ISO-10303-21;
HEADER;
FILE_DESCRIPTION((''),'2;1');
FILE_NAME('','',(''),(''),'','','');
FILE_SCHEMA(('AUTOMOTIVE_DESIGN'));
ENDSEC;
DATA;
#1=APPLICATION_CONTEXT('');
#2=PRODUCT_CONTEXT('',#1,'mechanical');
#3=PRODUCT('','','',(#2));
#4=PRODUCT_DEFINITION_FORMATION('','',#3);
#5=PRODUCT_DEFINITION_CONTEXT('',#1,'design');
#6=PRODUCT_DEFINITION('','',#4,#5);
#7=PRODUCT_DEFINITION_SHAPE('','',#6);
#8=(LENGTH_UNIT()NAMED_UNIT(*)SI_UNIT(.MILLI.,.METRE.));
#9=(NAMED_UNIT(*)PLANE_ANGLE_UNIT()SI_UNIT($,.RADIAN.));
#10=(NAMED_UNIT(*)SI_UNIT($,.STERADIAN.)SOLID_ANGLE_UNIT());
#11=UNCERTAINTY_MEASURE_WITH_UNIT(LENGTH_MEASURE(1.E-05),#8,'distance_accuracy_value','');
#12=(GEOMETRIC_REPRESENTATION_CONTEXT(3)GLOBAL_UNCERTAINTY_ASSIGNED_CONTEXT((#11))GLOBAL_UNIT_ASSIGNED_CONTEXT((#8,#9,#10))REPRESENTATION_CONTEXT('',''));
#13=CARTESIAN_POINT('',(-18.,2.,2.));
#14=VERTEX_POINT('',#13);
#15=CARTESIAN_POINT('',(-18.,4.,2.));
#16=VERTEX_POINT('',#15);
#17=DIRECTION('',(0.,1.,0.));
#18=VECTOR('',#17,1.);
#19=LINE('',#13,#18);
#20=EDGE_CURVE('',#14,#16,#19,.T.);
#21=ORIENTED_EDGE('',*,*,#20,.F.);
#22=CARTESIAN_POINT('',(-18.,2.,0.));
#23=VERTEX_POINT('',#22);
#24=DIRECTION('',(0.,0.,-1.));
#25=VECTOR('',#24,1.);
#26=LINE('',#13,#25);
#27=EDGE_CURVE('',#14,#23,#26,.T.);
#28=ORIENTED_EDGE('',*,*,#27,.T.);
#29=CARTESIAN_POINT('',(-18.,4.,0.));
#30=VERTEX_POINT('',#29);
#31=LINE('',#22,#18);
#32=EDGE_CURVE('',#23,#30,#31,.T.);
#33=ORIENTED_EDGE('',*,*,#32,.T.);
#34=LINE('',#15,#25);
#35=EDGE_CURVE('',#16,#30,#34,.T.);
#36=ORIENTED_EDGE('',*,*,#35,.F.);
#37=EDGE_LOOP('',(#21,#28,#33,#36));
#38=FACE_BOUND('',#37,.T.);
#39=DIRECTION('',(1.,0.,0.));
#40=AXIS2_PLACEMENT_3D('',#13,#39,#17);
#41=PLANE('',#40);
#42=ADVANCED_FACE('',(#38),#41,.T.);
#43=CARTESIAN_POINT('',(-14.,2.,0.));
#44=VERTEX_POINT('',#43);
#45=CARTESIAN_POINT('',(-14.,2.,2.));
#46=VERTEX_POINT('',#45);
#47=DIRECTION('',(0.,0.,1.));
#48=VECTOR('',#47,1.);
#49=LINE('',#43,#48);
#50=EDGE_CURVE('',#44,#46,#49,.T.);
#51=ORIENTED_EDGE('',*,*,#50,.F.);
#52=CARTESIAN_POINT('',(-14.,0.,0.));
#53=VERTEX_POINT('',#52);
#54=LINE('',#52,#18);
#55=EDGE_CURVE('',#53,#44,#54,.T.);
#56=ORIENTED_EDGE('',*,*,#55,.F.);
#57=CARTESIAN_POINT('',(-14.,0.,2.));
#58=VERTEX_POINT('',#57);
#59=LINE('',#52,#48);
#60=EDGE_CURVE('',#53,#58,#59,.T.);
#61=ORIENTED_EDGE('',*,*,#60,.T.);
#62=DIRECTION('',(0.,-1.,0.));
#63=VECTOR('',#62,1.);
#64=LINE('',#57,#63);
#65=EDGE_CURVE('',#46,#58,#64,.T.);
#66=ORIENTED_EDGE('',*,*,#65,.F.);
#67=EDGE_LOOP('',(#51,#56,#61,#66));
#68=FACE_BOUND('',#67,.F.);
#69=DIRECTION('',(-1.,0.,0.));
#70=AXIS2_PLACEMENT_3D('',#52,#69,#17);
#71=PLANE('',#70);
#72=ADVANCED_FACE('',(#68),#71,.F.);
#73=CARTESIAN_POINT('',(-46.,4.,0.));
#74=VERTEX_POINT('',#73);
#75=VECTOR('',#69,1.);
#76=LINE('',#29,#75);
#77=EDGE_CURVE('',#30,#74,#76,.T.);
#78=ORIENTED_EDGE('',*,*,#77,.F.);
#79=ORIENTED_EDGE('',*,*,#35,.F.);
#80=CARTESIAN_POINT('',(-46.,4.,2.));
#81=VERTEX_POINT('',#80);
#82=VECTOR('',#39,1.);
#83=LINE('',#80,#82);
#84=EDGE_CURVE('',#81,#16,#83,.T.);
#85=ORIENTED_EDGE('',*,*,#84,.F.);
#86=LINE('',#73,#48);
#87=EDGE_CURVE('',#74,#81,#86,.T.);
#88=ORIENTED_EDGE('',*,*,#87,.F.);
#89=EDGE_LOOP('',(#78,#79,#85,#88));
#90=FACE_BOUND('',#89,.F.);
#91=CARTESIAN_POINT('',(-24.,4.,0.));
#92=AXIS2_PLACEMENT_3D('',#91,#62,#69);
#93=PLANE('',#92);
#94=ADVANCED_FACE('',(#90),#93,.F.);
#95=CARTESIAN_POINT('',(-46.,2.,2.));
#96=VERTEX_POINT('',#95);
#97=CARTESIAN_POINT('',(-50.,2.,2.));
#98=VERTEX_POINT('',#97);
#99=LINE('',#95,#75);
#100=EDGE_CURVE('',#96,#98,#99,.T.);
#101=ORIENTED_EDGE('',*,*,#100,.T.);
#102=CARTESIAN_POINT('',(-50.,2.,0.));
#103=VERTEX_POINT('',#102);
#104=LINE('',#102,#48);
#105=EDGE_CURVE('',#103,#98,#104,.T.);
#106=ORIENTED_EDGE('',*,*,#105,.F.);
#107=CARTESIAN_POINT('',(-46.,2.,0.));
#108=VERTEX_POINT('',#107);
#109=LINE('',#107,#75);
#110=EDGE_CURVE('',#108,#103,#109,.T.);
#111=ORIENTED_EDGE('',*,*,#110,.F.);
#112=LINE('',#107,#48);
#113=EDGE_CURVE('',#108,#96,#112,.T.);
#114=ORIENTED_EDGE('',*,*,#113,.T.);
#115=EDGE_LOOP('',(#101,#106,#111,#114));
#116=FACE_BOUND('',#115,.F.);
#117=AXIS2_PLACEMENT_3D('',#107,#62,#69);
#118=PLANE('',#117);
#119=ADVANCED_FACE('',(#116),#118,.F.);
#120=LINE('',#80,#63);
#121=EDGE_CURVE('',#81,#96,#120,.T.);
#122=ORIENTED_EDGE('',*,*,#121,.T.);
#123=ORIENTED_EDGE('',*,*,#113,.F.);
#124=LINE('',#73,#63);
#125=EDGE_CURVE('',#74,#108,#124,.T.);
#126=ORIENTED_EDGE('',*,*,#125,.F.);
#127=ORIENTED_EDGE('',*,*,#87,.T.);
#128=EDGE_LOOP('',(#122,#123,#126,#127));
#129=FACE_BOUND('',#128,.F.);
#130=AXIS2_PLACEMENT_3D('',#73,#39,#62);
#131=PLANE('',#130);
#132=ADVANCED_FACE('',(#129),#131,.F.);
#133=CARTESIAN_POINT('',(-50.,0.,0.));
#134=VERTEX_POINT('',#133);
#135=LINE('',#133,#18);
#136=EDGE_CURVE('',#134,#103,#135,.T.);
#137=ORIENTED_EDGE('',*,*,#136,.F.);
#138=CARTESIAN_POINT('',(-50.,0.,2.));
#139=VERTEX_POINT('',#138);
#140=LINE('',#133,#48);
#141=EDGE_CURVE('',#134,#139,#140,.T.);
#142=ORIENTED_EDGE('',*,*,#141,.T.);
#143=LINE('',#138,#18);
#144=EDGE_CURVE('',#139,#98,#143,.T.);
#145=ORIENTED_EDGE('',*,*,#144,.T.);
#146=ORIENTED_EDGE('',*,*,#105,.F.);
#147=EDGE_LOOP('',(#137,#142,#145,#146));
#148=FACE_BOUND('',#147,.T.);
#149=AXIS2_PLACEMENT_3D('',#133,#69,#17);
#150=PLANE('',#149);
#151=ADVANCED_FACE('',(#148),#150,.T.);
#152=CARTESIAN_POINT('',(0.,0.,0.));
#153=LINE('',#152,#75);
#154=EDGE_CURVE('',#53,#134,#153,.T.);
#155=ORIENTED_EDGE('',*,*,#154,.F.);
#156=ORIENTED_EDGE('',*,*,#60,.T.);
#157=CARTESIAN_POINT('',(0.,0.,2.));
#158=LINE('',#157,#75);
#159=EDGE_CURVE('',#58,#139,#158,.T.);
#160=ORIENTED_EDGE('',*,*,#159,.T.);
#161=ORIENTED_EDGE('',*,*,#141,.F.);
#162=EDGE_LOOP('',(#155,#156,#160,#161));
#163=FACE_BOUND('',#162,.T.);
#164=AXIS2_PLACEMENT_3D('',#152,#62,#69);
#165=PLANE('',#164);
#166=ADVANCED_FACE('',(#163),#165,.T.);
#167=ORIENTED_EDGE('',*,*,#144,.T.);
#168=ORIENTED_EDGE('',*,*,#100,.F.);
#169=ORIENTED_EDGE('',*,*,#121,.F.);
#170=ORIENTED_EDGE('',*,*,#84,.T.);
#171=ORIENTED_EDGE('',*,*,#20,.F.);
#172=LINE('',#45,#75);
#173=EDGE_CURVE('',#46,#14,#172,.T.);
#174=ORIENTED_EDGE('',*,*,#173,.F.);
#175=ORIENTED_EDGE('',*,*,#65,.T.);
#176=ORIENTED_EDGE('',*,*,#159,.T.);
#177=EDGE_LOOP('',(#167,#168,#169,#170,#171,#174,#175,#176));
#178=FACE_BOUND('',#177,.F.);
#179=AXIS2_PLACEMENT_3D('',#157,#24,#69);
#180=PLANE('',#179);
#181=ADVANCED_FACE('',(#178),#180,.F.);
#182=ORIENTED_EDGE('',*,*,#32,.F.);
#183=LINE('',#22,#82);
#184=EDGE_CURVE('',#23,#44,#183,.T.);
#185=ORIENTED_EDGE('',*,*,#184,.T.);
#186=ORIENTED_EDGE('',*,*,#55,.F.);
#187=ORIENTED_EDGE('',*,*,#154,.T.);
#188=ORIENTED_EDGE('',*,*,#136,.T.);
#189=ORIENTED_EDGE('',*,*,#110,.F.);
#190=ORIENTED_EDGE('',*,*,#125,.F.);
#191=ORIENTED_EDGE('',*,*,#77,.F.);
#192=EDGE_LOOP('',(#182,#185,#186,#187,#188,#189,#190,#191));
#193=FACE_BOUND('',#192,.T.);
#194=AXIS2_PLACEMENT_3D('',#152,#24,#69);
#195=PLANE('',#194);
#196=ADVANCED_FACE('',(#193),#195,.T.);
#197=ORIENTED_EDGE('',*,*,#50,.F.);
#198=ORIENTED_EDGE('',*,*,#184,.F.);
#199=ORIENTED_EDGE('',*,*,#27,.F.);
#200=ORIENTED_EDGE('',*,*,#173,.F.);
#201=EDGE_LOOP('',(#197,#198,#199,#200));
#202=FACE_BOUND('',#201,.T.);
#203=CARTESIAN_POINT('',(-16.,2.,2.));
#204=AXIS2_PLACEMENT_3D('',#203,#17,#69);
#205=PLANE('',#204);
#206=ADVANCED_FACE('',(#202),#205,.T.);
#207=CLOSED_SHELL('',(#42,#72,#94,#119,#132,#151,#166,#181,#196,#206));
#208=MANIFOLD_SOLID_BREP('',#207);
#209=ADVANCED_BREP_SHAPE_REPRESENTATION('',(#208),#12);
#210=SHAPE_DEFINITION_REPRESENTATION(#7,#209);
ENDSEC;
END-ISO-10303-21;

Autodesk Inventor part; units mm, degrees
ref_plane "YZ Plane" through (0, 0, 0) normal (1, 0, 0) x (0, 1, 0)
ref_plane "XZ Plane" through (0, 0, 0) normal (0, 1, 0) x (-1, 0, 0)
ref_plane "XY Plane" through (0, 0, 0) normal (0, 0, 1) x (1, 0, 0)
sketch "Sketch1" plane through (0, 0, 0) normal (0, 0, 1) x (1, 0, 0)
  line L0 (0, 0) -> (-50, 0)
  line L1 (-50, 0) -> (-50, 2)
  line L2 (-46, 4) -> (-46, 2)
  line L3 (-46, 2) -> (-50, 2)
  line L4 (0, 2) -> (-4, 2)
  line L5 (-4, 2) -> (-4, 4)
  line L6 (-46, 4) -> (-26, 4)
  line L7 (0, 2) -> (0, 0)
  line L8 (-26, 4) -> (-26, 2)
  line L9 (-26, 2) -> (-24, 2)
  line L10 (-24, 2) -> (-24, 4)
  line L11 (-24, 4) -> (-4, 4)
  dimension "d2" = 4
  dimension "d3" = 2
  dimension "d5" = 24
  dimension "d6" = 2
  dimension "d7" = 2
extrude "Extrusion1" add sketch "Sketch1" along normal blind 2
sketch "Sketch2" plane through (0, 0, 2) normal (0, 0, 1) x (1, 0, 0)
  line L0 (-4, 4) -> (-24, 4) projected
  line L1 (-18, 4) -> (-16, 4)
  line L2 (-16, 4) -> (-16, 2)
  line L3 (-16, 2) -> (-18, 2)
  line L4 (-18, 2) -> (-18, 4)
  point P0 (0, 0)
  dimension "d10" = 2
  dimension "d11" = 2
  dimension "d12" = 16
extrude "Extrusion2" cut sketch "Sketch2" against normal blind 2
sketch "Sketch3" plane through (0, 0, 0) normal (0, 0, -1) x (-1, 0, 0)
  line L0 (0, 0) -> (0, 2) projected
  line L1 (4, 4) -> (16, 4) projected
  line L2 (0, 0) -> (14, 0)
  line L3 (14, 0) -> (14, 4)
  line L4 (14, 4) -> (0, 4)
  line L5 (0, 4) -> (0, 0)
  line L6 (18, 2) -> (16, 2) projected
  line L7 (16, 2) -> (14, 2)
  line L8 (14, 2) -> (14, 4)
  line L9 (14, 4) -> (16, 4)
  line L10 (16, 4) -> (16, 2)
  line L11 (18, 4) -> (24, 4) projected
  line L12 (24, 2) -> (26, 2) projected
  line L13 (24, 4) -> (26, 4)
  line L14 (26, 4) -> (26, 2)
  line L15 (26, 2) -> (24, 2)
  line L16 (24, 2) -> (24, 4)
  dimension "d15" = 14
extrude "Extrusion3" cut sketch "Sketch3" against normal blind 10 contours L0 L5 L4 L1 L3 L2 | L3 L1 L10 L7
extrude "Extrusion4" add sketch "Sketch3" against normal blind 2 contours L16 L13 L14 L12
properties part number "beam1" material "Wood (Birch)"
